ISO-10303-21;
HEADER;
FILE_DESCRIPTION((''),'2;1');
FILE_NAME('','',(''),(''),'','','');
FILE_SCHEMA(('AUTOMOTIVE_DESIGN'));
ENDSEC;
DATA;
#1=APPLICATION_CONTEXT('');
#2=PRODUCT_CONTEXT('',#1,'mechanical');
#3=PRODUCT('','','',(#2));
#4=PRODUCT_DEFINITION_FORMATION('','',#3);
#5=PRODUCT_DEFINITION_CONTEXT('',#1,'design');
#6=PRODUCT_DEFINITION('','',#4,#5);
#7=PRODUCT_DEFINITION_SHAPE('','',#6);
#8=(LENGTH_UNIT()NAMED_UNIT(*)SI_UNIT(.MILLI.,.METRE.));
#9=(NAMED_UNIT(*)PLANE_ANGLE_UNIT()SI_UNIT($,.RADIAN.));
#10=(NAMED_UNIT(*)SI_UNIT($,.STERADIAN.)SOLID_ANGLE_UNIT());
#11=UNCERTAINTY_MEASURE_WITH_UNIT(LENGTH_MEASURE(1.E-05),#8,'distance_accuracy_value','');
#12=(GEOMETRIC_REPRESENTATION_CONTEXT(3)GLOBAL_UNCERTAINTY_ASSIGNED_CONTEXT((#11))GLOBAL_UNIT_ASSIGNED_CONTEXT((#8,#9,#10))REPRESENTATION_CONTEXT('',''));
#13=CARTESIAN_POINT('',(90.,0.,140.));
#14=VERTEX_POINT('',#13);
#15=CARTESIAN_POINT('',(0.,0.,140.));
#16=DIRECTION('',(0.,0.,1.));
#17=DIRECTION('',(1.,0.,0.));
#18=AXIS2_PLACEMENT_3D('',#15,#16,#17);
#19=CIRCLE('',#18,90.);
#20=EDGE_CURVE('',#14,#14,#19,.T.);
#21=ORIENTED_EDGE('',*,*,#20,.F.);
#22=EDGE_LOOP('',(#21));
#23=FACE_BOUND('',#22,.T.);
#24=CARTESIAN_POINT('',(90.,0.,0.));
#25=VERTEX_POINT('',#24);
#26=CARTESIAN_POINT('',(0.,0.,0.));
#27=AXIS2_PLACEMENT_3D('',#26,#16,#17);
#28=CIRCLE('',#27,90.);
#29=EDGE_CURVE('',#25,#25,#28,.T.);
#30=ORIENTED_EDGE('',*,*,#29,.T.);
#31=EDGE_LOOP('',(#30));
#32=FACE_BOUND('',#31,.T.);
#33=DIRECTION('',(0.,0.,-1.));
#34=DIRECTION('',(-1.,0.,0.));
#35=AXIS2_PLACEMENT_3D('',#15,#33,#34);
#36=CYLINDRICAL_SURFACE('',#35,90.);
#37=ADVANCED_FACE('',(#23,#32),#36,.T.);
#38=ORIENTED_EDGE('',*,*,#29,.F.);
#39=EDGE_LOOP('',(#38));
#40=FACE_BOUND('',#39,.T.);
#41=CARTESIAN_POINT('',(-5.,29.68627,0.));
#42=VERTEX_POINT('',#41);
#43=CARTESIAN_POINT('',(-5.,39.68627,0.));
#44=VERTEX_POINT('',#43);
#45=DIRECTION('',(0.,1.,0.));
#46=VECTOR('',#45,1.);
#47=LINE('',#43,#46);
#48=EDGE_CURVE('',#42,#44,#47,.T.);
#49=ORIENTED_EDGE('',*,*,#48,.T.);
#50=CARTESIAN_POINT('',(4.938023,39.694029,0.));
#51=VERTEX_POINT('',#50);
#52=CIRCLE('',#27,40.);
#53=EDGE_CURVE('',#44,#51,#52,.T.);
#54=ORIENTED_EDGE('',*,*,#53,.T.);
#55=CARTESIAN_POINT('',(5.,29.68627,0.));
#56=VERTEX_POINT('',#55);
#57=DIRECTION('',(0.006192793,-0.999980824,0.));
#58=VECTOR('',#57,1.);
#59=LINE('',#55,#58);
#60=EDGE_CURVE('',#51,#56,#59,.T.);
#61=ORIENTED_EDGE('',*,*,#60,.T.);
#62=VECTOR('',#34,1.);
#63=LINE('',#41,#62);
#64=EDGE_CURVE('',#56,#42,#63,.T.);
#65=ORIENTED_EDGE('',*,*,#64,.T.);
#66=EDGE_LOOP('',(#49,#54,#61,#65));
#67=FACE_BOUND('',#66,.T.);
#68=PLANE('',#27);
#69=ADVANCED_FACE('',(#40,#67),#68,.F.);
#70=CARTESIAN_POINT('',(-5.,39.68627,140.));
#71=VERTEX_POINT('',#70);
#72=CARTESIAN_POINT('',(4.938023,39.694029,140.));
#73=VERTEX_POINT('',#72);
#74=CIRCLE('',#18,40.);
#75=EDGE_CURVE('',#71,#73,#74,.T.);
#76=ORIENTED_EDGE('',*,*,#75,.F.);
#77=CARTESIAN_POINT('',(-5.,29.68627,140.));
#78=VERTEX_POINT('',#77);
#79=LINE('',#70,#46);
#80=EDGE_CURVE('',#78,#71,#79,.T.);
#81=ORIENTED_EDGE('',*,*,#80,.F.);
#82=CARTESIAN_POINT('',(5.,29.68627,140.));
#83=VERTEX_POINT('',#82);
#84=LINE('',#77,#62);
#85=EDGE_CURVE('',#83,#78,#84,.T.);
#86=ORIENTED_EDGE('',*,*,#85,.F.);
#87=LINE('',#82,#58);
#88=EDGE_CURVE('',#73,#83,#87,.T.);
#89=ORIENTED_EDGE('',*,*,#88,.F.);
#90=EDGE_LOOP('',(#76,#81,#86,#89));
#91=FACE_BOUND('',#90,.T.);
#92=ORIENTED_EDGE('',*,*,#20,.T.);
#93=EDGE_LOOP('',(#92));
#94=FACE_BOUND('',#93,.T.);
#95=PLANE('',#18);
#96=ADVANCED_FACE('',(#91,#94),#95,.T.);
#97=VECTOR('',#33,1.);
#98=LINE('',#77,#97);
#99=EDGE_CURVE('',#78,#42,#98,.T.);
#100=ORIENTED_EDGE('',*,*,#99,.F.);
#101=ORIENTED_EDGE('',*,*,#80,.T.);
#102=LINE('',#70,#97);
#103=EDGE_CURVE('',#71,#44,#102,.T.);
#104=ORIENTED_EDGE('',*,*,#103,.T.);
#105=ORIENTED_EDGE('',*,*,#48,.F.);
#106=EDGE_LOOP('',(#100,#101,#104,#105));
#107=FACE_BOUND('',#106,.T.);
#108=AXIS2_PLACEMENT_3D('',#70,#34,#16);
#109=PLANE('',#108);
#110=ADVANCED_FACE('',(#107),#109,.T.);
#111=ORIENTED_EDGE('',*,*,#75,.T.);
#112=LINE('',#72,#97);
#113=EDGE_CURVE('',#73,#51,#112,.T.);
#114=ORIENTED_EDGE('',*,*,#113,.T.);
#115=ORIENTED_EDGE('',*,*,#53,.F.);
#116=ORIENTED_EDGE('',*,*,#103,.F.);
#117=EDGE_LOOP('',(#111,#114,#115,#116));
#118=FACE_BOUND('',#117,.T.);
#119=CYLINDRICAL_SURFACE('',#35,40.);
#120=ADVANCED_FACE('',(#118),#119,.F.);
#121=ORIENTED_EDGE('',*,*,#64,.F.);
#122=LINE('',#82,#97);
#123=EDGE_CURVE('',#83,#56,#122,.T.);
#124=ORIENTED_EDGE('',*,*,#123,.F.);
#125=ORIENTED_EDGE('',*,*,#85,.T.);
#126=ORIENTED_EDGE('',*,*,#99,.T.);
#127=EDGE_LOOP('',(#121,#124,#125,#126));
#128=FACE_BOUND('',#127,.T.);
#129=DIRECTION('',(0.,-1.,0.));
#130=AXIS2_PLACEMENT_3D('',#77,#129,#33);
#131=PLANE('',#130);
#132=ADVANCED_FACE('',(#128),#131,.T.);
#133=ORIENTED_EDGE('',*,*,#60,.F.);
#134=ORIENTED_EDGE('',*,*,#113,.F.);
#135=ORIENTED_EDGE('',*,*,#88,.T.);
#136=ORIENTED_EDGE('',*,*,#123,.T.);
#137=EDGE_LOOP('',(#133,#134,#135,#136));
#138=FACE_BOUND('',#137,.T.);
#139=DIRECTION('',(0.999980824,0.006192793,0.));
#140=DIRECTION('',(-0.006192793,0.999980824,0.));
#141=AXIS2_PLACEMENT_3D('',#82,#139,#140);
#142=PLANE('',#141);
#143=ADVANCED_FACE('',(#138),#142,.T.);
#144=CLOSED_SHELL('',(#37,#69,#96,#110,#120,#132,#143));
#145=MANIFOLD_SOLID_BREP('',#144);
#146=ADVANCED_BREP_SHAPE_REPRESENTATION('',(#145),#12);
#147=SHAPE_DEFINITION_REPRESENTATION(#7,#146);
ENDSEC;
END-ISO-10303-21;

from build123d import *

# Parameters (mm, degrees)
ESQUISSE1_R        = 90
BOSS_EXTRU_1_DEPTH = 140


with BuildPart() as part:
    # Esquisse1 → Boss.-Extru.1 (new body)
    with BuildSketch(Plane.XY):
        Circle(ESQUISSE1_R)
        with BuildLine():
            Line((-5, 39.686269666), (-5, 29.686269666))
            Line((-5, 29.686269666), (5, 29.686269666))
            Line((5, 29.686269666), (4.938022826, 39.694028903))
            ThreePointArc((4.938022826, 39.694028903), (0.031230497, -39.999987808), (-5, 39.686269666))
        make_face(mode=Mode.SUBTRACT)
    extrude(amount=BOSS_EXTRU_1_DEPTH)


solid = part.part
